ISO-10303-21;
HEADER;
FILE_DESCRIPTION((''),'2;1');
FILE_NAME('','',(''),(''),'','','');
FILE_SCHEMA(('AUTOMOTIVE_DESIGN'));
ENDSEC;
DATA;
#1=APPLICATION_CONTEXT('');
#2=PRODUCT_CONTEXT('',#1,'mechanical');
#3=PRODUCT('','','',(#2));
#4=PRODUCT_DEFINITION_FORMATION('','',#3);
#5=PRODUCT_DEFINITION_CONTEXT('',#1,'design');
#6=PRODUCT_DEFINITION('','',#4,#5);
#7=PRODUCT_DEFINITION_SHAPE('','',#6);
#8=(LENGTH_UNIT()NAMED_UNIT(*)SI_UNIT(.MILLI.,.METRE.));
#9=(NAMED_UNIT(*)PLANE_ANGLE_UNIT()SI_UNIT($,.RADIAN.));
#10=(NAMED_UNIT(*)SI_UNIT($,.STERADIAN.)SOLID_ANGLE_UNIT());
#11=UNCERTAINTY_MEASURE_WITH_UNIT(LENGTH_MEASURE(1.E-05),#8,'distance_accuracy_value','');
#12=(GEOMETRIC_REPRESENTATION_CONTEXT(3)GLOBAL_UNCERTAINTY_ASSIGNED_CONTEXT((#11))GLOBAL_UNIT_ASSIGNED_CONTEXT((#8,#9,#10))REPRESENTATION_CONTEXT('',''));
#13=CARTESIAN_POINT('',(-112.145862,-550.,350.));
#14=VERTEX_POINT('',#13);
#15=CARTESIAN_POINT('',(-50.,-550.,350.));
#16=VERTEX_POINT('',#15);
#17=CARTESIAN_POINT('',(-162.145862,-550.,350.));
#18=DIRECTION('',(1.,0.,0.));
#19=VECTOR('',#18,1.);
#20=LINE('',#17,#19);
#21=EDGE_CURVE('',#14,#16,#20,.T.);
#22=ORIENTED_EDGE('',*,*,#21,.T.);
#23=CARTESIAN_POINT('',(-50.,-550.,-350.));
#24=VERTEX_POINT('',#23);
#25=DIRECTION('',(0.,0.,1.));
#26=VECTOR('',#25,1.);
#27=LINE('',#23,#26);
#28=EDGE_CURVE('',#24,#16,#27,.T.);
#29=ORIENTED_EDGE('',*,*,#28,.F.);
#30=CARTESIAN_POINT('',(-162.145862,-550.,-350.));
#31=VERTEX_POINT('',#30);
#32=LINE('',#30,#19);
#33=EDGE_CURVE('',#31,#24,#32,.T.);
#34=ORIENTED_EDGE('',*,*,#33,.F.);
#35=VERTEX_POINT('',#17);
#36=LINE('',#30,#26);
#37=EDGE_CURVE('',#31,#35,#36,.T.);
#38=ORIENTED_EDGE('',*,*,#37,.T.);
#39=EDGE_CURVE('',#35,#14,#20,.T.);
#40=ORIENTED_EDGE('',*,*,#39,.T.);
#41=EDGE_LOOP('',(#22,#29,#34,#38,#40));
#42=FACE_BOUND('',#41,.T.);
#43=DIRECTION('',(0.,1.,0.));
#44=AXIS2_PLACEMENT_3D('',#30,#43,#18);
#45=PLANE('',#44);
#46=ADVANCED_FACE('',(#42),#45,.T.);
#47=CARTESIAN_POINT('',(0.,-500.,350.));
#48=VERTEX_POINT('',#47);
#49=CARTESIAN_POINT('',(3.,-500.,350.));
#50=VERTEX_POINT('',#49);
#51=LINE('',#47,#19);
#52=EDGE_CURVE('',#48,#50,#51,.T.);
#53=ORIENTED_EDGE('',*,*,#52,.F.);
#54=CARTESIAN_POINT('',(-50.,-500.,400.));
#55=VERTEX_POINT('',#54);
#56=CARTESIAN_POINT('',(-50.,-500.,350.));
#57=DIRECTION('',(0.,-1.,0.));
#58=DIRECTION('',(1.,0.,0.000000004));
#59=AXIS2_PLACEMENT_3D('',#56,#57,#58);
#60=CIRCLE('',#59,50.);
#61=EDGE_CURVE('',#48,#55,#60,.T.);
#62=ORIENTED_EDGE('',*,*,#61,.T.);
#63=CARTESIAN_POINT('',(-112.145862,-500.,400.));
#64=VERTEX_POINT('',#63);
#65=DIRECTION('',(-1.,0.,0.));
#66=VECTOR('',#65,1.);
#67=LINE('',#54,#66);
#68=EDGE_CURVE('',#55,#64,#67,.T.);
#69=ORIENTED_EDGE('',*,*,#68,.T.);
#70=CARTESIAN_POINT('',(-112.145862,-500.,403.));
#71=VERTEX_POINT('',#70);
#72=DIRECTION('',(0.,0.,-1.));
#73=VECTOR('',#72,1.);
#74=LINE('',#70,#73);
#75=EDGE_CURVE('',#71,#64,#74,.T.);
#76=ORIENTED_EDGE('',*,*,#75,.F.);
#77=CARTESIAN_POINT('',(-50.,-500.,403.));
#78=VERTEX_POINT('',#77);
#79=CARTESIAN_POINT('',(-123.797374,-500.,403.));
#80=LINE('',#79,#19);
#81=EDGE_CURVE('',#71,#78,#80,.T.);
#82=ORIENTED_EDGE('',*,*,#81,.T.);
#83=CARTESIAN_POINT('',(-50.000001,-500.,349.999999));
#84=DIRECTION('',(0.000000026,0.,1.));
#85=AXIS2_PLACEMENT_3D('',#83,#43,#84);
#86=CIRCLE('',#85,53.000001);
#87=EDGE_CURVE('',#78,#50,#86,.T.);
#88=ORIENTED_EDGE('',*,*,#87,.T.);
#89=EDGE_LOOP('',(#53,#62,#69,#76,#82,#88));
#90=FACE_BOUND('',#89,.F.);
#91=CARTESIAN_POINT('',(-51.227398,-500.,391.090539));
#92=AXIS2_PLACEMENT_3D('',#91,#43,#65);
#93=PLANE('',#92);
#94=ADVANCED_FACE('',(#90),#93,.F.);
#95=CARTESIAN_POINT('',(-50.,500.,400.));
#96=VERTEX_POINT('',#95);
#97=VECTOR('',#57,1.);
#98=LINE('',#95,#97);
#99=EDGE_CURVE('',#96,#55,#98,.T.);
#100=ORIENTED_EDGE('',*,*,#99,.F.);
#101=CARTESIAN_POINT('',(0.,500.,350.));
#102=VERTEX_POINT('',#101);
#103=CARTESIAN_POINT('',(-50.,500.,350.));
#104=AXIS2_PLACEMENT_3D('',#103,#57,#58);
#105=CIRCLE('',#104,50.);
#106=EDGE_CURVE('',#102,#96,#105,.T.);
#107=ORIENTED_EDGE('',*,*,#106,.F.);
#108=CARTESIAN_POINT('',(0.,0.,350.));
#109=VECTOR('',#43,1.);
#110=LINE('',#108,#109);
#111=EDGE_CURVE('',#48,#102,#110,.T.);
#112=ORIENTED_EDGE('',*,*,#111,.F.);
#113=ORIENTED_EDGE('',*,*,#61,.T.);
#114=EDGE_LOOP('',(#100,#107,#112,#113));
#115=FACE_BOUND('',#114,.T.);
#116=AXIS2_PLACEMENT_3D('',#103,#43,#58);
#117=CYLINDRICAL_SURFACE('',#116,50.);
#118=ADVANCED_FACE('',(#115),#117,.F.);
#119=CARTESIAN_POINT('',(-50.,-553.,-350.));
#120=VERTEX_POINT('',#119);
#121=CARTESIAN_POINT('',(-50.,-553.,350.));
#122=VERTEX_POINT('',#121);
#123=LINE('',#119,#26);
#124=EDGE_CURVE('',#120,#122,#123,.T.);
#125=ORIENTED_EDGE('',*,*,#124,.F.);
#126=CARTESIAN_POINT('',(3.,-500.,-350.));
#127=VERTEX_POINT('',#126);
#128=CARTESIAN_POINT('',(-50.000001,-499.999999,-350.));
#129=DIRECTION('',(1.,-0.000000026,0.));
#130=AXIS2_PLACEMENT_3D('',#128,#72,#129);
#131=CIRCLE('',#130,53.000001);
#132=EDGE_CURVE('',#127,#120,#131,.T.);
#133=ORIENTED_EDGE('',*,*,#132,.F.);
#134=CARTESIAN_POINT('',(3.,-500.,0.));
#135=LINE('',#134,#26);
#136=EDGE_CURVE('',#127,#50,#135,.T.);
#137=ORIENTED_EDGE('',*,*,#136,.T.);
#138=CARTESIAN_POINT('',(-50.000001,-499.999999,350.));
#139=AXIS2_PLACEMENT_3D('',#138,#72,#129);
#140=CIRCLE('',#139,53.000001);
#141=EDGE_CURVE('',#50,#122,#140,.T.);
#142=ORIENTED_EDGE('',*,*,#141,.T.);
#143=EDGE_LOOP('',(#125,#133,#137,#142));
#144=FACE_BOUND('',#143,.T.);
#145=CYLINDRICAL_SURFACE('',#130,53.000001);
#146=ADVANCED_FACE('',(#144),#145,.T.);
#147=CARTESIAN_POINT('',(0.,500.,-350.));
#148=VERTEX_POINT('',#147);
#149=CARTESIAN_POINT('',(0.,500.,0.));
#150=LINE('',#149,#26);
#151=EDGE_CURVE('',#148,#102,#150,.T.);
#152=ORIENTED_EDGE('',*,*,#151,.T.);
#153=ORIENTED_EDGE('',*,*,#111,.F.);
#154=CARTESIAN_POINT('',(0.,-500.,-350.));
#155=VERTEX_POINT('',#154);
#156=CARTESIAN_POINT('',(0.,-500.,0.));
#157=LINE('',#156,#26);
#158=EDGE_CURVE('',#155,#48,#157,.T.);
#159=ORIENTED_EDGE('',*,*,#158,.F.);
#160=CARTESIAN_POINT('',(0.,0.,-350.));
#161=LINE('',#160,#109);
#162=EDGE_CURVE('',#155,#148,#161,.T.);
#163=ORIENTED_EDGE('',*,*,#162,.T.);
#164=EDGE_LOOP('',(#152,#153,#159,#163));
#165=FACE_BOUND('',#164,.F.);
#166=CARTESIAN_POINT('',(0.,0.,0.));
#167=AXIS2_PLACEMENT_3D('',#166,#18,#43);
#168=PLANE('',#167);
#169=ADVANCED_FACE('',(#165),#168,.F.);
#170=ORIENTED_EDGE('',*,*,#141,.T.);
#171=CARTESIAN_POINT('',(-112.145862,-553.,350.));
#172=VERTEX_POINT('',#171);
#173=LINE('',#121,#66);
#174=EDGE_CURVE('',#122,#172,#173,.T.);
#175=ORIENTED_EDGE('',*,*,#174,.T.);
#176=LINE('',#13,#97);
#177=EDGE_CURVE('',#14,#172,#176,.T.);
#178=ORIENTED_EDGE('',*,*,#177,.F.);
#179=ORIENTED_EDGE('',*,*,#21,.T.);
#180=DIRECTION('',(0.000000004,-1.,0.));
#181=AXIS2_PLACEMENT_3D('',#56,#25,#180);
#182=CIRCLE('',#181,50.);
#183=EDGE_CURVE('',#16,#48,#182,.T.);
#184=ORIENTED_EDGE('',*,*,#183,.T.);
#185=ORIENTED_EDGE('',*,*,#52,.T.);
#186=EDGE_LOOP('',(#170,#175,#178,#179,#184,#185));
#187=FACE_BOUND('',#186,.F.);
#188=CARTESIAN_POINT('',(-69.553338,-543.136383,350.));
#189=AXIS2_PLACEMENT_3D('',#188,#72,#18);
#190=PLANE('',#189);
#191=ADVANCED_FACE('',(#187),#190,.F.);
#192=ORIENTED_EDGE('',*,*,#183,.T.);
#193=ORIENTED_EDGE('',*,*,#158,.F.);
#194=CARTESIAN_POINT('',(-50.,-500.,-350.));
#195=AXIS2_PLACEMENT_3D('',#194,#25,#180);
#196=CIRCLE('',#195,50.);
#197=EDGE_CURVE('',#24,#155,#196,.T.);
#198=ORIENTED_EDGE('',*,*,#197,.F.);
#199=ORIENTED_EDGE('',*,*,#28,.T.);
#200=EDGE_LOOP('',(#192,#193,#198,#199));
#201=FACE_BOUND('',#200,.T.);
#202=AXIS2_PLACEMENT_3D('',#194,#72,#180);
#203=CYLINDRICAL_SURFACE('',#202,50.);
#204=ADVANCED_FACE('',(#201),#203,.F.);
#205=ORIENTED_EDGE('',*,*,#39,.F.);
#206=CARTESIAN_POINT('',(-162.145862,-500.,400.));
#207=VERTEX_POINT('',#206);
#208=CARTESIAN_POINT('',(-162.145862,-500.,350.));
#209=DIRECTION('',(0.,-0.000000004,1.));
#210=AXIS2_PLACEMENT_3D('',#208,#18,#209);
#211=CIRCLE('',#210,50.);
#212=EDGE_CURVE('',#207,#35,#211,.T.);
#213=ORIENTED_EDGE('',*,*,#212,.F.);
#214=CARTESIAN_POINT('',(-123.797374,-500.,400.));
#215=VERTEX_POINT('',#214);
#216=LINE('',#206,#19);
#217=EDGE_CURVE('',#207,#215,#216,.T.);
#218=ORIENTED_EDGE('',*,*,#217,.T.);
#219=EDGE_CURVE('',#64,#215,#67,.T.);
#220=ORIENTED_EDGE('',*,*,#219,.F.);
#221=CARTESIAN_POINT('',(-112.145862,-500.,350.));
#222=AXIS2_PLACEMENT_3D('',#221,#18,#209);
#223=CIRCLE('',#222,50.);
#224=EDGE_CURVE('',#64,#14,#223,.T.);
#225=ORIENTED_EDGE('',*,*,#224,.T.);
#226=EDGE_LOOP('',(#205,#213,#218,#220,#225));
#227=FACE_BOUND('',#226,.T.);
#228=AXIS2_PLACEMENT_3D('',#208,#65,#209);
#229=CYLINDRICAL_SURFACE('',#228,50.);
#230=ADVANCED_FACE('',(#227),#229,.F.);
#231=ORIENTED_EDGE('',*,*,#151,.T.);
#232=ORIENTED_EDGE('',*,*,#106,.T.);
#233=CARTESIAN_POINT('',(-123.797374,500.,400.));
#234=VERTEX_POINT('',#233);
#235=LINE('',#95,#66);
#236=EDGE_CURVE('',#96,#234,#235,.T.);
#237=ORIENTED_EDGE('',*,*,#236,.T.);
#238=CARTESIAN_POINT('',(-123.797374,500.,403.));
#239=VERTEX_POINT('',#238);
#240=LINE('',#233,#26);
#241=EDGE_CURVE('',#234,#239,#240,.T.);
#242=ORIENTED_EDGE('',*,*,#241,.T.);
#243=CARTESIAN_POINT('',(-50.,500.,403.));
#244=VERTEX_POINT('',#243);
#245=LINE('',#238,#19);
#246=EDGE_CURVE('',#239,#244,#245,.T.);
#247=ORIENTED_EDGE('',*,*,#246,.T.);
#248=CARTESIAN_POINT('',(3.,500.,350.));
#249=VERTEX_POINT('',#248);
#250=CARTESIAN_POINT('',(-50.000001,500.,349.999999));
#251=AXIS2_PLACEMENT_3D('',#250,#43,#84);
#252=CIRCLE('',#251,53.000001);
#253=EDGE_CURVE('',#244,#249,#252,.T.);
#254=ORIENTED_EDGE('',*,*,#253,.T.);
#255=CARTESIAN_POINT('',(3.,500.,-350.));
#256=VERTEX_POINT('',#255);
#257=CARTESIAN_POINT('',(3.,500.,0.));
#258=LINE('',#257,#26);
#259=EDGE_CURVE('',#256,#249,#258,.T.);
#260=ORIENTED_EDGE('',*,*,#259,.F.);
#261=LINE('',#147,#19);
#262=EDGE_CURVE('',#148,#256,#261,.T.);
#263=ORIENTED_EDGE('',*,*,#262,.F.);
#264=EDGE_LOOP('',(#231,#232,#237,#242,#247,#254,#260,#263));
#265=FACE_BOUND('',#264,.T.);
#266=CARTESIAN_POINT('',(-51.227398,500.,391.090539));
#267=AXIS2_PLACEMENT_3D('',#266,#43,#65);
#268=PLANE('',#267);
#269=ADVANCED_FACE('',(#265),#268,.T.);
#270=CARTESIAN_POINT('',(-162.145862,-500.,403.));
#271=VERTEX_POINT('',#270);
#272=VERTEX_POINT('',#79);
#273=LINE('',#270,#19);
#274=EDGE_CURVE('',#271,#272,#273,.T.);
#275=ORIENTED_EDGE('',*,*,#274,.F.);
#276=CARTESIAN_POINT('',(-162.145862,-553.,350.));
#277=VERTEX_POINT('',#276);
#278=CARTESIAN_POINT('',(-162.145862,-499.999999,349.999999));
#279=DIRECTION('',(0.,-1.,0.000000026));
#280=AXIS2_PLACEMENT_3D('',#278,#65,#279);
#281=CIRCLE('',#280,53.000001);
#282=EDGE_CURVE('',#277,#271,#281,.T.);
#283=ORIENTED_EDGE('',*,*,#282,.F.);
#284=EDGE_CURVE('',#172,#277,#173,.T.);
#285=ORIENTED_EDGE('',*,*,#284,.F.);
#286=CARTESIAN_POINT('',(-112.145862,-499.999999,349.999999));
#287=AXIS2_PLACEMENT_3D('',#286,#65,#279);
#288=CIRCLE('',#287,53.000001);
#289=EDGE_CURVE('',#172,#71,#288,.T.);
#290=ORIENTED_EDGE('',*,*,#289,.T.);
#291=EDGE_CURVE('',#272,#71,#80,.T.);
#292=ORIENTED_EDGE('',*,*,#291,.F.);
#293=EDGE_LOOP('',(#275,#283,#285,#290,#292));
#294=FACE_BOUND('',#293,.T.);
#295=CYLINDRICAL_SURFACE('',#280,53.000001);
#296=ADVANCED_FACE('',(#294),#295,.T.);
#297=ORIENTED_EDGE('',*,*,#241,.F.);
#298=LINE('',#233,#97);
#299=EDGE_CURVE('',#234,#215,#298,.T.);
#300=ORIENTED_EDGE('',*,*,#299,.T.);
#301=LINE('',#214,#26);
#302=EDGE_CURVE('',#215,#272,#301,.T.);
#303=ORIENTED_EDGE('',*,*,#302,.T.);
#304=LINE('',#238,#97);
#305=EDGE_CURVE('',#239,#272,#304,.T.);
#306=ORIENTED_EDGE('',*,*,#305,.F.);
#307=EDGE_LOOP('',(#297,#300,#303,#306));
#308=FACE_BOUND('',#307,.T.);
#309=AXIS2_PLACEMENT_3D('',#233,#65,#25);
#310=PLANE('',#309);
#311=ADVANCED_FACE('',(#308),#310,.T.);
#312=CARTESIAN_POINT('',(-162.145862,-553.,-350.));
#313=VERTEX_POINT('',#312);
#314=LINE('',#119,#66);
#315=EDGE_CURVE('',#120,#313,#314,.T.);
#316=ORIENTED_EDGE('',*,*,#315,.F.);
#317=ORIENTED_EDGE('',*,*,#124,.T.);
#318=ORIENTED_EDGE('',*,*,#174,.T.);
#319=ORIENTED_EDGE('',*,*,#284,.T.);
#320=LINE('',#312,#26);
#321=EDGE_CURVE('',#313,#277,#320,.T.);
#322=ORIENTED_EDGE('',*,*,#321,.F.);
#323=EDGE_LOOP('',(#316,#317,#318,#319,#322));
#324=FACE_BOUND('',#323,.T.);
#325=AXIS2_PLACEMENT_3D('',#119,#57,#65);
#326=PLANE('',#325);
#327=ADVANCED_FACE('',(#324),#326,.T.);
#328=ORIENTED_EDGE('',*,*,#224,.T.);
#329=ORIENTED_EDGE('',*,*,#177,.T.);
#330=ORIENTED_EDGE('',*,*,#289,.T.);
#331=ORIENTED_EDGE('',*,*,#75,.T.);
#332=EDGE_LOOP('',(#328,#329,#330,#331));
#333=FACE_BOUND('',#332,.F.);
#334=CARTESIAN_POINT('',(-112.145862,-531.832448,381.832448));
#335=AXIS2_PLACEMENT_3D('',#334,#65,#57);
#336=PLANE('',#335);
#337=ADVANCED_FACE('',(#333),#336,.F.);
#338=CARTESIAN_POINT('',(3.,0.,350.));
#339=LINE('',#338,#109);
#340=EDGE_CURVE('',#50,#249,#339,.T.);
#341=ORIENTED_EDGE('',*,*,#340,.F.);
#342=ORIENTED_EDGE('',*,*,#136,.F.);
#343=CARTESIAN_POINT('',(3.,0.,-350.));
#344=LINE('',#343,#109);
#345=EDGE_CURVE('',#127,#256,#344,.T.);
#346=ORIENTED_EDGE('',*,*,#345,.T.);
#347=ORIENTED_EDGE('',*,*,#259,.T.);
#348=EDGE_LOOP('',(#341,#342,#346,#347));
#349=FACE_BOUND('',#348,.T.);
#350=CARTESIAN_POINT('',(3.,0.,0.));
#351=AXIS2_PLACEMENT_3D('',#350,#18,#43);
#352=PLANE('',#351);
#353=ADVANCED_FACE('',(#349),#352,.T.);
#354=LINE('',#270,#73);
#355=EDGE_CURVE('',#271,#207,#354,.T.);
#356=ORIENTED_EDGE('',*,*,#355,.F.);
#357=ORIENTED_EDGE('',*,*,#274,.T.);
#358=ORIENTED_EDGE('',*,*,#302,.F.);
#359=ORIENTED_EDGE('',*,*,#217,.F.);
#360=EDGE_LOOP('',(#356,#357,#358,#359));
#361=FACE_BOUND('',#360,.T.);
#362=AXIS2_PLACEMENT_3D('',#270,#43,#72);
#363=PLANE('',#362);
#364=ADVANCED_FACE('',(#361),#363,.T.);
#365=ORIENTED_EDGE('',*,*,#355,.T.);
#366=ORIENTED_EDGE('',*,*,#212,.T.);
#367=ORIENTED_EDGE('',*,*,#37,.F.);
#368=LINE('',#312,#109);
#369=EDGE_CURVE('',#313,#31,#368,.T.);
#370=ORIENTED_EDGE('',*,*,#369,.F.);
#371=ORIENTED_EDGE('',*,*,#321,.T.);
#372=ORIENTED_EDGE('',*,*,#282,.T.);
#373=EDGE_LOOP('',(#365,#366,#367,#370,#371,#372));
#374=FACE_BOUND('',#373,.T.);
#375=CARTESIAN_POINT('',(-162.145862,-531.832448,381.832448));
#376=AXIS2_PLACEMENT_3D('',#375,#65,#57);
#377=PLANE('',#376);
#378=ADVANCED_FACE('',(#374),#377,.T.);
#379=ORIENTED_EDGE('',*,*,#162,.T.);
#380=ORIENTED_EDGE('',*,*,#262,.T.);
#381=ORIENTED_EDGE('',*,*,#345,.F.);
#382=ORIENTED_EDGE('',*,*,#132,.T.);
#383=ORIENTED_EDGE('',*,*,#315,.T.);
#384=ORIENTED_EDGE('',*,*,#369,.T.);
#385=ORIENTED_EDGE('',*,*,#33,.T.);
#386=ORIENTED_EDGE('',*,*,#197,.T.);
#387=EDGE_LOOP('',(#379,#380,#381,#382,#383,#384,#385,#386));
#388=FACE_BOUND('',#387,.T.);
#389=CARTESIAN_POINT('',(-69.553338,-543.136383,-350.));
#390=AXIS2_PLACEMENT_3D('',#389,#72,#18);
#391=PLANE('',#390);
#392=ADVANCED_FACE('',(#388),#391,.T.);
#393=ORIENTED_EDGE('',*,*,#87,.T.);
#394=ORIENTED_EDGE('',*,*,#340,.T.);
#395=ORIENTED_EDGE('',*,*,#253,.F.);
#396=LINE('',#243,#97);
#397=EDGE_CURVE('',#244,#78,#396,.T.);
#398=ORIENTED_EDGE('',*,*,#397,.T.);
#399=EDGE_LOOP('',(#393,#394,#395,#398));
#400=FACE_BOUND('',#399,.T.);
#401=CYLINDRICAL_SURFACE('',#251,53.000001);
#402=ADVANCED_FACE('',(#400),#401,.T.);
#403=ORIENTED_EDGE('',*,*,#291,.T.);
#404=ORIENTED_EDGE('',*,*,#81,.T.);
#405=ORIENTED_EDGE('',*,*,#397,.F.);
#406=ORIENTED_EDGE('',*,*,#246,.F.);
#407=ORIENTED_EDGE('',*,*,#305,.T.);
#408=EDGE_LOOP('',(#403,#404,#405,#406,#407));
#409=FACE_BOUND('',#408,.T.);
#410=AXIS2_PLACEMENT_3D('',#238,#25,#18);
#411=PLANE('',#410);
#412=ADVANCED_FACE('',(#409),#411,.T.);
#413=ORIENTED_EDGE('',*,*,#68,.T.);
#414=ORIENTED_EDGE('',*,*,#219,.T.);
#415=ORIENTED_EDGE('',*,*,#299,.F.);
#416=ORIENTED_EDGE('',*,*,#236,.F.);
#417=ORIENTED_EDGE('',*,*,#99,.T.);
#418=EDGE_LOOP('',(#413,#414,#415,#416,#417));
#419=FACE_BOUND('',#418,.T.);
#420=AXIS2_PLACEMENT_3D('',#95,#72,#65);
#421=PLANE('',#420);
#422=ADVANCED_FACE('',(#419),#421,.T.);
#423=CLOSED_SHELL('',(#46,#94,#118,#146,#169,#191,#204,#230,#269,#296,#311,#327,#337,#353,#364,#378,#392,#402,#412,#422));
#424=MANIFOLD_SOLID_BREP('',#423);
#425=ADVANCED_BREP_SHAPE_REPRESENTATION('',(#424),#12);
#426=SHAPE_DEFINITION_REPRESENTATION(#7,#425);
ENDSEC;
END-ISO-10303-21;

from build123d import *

# Parameters (mm, degrees)
F0_W     = 1000
F0_H     = 700
F1_DEPTH = 3
F3_DEPTH = 1000
F5_DEPTH = 700
F7_DEPTH = 50


with BuildPart() as f1:
    # F0 (on Right) → F1 (new body)
    with BuildSketch(Plane.YZ):
        Rectangle(F0_W, F0_H)
    extrude(amount=F1_DEPTH)

    # F2 (on face) → F3 (join)
    with BuildSketch(Plane(origin=(0, 500, 0), x_dir=(-1, 0, 0), z_dir=(0, 1, 0))):
        with BuildLine():
            Line((123.797374, 403), (50, 403))
            ThreePointArc((50, 403), (12.523341, 387.476659), (-3, 350))
            Line((-3, 350), (0, 350))
            ThreePointArc((0, 350), (14.644661, 385.355339), (50, 400))
            Line((50, 400), (123.797374, 400))
            Line((123.797374, 400), (123.797374, 403))
        make_face()
    extrude(amount=-F3_DEPTH)

    # F4 (on face) → F5 (join)
    with BuildSketch(Plane(origin=(0, 0, -350), x_dir=(1, 0, 0), z_dir=(0, 0, -1))):
        with BuildLine():
            Line((-162.145862, 550), (-50, 550))
            ThreePointArc((-50, 550), (-14.644661, 535.355339), (0, 500))
            Line((0, 500), (3, 500))
            ThreePointArc((3, 500), (-12.523341, 537.476659), (-50, 553))
            Line((-50, 553), (-162.145862, 553))
            Line((-162.145862, 553), (-162.145862, 550))
        make_face()
    extrude(amount=-F5_DEPTH)

    # F6 (on face) → F7 (join)
    with BuildSketch(Plane(origin=(-162.145862, 0, 0), x_dir=(0, -1, 0), z_dir=(-1, 0, 0))):
        with BuildLine():
            Line((500, 403), (500, 400))
            ThreePointArc((500, 400), (535.355339, 385.355339), (550, 350))
            Line((550, 350), (553, 350))
            ThreePointArc((553, 350), (537.476659, 387.476659), (500, 403))
        make_face()
    extrude(amount=-F7_DEPTH)


solid = f1.part
